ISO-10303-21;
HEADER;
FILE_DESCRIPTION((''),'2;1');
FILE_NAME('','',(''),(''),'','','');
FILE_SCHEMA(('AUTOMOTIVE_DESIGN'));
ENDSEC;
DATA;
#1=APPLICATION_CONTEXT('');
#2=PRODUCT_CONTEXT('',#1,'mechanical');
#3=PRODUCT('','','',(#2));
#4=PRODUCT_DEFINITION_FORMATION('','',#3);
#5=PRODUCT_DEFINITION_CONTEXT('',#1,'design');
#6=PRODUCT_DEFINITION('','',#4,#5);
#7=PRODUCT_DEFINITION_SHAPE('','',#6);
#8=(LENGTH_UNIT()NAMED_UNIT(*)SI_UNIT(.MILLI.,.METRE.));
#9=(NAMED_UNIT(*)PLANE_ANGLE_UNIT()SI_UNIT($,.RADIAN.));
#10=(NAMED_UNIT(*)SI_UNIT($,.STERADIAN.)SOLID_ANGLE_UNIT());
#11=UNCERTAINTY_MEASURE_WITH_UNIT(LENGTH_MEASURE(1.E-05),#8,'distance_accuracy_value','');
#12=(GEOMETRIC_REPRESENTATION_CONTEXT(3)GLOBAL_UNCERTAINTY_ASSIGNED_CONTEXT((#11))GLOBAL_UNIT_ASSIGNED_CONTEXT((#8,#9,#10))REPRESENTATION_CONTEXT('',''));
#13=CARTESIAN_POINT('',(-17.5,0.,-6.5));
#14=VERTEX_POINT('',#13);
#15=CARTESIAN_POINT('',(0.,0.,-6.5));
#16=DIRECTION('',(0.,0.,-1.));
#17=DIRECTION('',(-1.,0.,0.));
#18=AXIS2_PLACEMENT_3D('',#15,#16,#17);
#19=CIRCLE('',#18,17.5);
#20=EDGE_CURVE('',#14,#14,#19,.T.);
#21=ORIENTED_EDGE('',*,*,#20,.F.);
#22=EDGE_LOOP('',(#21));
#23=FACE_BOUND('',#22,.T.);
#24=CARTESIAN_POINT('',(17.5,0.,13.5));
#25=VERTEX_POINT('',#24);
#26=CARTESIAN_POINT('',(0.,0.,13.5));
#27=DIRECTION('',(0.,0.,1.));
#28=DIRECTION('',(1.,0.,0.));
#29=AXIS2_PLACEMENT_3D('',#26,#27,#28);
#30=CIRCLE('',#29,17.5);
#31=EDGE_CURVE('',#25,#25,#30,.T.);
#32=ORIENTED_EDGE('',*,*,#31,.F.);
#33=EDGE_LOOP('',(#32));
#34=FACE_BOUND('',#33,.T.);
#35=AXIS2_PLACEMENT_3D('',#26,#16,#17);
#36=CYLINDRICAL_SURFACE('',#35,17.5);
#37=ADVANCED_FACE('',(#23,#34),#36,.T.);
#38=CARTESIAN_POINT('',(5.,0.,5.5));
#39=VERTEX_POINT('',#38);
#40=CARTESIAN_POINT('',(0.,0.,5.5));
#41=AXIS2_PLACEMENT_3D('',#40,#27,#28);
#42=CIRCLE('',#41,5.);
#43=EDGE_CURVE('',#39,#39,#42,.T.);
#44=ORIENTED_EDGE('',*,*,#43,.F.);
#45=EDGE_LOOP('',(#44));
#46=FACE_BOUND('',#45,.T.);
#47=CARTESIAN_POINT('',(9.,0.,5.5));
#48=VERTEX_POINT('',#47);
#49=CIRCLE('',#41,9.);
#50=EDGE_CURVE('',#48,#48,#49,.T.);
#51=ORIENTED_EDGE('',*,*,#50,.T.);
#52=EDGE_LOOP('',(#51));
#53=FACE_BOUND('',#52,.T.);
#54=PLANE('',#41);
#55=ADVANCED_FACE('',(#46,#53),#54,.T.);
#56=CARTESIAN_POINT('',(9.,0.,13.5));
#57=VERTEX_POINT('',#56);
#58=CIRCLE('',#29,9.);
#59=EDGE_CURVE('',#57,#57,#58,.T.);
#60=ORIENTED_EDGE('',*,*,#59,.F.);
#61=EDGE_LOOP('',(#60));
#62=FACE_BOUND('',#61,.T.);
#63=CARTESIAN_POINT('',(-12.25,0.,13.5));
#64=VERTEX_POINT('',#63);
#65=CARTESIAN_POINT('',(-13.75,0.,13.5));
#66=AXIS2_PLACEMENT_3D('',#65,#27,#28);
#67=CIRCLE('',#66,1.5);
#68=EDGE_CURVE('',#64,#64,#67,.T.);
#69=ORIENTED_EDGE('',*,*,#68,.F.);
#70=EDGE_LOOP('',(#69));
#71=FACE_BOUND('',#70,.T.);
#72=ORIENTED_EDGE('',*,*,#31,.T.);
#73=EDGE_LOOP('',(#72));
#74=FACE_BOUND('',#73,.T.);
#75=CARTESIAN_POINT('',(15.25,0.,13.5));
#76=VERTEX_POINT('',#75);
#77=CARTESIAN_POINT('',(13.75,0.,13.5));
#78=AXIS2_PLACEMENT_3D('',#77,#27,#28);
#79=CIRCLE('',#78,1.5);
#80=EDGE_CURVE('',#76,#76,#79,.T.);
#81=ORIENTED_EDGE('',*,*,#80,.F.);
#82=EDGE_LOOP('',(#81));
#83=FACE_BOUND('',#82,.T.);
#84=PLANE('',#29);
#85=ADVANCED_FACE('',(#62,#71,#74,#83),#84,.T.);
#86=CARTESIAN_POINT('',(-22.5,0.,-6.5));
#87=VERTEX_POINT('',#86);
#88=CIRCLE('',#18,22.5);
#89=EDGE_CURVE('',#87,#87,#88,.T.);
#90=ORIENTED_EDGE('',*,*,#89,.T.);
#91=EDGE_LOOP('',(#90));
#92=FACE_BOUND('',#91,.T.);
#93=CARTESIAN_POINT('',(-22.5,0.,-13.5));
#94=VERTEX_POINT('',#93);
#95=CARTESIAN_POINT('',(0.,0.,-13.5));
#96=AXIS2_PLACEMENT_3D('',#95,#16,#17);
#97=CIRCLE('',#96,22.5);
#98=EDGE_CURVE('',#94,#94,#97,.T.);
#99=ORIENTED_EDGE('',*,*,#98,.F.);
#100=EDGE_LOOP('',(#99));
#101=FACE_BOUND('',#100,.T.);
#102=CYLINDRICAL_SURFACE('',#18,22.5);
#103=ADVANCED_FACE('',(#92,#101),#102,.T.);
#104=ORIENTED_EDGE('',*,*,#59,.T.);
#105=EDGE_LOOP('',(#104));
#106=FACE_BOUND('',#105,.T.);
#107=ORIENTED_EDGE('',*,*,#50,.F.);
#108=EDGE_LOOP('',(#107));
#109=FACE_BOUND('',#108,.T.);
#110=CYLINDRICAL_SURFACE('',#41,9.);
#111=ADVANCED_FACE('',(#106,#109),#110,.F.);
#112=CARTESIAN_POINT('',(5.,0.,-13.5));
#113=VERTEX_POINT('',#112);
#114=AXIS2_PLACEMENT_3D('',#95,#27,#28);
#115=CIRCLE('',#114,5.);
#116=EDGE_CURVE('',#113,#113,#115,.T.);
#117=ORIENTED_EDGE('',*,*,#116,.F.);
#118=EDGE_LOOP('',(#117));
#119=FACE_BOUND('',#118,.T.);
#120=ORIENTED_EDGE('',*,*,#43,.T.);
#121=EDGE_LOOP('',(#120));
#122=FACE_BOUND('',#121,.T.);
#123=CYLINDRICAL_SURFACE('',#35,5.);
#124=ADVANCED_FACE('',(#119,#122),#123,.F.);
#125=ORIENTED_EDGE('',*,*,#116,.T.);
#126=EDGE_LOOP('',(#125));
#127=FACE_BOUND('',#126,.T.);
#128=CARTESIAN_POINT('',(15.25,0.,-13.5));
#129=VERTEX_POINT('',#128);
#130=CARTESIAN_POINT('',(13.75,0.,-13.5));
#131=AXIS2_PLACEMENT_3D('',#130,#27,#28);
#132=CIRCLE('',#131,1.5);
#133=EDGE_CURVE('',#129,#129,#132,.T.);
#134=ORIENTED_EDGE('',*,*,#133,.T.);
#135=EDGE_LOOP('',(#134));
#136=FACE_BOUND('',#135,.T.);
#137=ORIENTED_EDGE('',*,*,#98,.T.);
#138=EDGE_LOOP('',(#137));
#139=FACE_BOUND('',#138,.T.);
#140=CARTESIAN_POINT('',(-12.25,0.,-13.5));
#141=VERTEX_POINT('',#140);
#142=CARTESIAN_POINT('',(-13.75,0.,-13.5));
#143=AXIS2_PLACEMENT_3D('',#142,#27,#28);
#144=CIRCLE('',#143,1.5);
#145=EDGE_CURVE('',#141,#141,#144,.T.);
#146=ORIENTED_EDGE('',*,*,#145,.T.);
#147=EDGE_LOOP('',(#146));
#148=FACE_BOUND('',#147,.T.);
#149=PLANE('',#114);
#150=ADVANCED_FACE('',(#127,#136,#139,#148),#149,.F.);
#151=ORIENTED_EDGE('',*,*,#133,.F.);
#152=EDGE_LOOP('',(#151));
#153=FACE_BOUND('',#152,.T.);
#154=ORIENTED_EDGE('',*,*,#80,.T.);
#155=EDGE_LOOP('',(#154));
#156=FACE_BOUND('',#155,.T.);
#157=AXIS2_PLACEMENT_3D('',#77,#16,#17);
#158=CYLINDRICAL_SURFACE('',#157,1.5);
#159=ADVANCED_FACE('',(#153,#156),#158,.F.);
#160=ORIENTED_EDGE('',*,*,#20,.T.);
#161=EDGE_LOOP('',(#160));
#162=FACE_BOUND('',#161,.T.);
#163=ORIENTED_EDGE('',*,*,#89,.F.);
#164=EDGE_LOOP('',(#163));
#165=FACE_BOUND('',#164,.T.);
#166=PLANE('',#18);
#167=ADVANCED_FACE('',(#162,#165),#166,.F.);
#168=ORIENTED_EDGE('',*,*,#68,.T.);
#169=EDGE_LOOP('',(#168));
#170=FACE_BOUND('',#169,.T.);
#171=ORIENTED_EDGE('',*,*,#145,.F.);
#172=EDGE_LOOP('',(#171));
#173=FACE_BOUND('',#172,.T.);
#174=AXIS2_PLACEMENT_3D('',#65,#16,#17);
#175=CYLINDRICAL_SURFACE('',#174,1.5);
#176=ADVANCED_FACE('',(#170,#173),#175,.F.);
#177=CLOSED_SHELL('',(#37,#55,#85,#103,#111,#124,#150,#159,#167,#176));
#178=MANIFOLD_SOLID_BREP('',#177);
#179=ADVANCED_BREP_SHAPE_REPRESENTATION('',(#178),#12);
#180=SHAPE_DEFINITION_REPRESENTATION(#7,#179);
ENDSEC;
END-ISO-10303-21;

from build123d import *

# Parameters (mm, degrees)
SKETCH1_R           = 17.5
SKETCH1_R_2         = 5
SKETCH1_R_3         = 1.5
BOSS_EXTRUDE1_DEPTH = 13.5
BOSS_EXTRUDE2_START = -7
SKETCH2_R           = 22.5
SKETCH2_R_2         = 17.5
BOSS_EXTRUDE2_DEPTH = 7
SKETCH3_R           = 7.5
SKETCH3_R_2         = 5
BOSS_EXTRUDE3_DEPTH = 8.5
SKETCH4_R           = 9
CUT_EXTRUDE1_DEPTH  = 8


with BuildPart() as part:
    # Sketch1 → Boss-Extrude1 (new, symmetric)
    with BuildSketch(Plane.XY):
        Circle(SKETCH1_R)
        Circle(SKETCH1_R_2, mode=Mode.SUBTRACT)
        with Locations((-13.75, 0)):
            Circle(SKETCH1_R_3, mode=Mode.SUBTRACT)
        with Locations((13.75, 0)):
            Circle(SKETCH1_R_3, mode=Mode.SUBTRACT)
    extrude(amount=BOSS_EXTRUDE1_DEPTH, both=True)

    # Sketch2 → Boss-Extrude2 (add)
    with BuildSketch(Plane(origin=(0, 0, -13.5), x_dir=(-1, 0, 0), z_dir=(0, 0, -1)).offset(BOSS_EXTRUDE2_START)):
        Circle(SKETCH2_R)
        Circle(SKETCH2_R_2, mode=Mode.SUBTRACT)
    extrude(amount=BOSS_EXTRUDE2_DEPTH)

    # Sketch3 → Boss-Extrude3 (add, symmetric)
    with BuildSketch(Plane.XY):
        Circle(SKETCH3_R)
        Circle(SKETCH3_R_2, mode=Mode.SUBTRACT)
    extrude(amount=BOSS_EXTRUDE3_DEPTH, both=True)

    # Sketch4 → Cut-Extrude1 (cut)
    with BuildSketch(Plane.XY.offset(13.5)):
        Circle(SKETCH4_R)
    extrude(amount=-CUT_EXTRUDE1_DEPTH, mode=Mode.SUBTRACT)


solid = part.part
